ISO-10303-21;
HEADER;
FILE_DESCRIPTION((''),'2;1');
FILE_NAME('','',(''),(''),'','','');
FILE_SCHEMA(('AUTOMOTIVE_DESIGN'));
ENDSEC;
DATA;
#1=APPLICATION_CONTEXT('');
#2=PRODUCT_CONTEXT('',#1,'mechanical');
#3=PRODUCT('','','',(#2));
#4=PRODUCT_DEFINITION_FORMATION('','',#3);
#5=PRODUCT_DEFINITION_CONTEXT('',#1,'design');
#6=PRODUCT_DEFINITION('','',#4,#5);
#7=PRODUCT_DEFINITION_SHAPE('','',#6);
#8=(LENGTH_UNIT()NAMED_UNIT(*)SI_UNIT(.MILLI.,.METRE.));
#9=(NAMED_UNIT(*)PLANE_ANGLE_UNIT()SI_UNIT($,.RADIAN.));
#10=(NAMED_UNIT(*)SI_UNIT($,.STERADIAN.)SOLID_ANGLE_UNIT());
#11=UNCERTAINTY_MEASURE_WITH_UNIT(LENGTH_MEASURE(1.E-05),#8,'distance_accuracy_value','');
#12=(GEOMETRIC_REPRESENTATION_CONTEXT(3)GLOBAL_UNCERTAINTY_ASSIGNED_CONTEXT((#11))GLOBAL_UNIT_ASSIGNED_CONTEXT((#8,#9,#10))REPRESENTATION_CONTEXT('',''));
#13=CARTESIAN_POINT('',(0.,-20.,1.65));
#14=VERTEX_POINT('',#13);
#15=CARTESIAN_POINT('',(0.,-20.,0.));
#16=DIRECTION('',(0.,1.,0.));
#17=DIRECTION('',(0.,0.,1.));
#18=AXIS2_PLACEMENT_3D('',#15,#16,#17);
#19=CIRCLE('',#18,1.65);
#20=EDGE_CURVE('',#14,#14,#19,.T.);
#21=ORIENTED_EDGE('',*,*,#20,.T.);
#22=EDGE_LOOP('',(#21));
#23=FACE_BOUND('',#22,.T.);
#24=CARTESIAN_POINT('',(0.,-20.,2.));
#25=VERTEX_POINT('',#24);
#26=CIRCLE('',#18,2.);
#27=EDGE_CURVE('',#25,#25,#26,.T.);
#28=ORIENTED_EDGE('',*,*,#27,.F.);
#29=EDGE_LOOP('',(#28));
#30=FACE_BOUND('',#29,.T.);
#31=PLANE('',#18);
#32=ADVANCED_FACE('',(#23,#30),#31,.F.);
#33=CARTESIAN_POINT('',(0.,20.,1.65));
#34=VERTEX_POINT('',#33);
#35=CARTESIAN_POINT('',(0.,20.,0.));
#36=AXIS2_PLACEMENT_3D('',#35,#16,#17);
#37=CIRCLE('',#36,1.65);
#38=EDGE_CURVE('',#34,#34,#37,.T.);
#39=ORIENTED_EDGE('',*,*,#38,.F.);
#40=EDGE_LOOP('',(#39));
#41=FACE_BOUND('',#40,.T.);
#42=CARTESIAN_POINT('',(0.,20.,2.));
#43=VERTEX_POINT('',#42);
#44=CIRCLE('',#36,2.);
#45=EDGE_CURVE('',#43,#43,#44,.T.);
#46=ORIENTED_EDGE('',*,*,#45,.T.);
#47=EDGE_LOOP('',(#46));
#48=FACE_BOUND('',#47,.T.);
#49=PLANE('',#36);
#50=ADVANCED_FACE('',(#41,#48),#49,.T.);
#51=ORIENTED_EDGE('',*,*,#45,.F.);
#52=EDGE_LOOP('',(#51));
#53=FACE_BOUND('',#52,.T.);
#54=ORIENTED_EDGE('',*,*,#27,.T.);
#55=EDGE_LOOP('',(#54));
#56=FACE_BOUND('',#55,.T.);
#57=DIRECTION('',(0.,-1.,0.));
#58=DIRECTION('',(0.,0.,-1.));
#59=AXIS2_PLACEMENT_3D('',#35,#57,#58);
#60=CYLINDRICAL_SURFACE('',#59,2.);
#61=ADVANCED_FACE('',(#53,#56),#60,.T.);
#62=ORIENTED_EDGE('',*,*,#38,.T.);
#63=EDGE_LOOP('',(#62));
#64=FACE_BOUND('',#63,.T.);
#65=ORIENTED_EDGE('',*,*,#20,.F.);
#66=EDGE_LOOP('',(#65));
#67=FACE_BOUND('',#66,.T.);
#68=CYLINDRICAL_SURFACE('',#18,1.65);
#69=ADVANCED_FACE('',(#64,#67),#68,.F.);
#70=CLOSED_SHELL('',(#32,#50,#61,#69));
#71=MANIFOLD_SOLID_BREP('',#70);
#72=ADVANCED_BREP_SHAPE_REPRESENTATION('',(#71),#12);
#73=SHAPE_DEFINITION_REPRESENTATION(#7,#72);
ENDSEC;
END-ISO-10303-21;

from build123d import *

# Parameters (mm, degrees)
SKETCH2_R               = 2
BOSS_EXTRUDE1_DEPTH     = 20
CUT_EXTRUDE1_DEPTH      = 41.099875312
CUT_EXTRUDE1_DEPTH_BACK = 41.099875312
SKETCH3_R               = 1.65


with BuildPart() as part:
    # Sketch2 → Boss-Extrude1 (new, symmetric)
    with BuildSketch(Plane(origin=(0, 0, 0), x_dir=(1, 0, 0), z_dir=(0, 1, 0))):
        with Locations(Location((0, 0, 0), (0, 0, 270))):
            Circle(SKETCH2_R)
    extrude(amount=BOSS_EXTRUDE1_DEPTH, both=True)

    # Sketch3 → Cut-Extrude1 (cut, two sides: drawn at the far end of the back side and taken through both)
    with BuildSketch(Plane(origin=(0, 20, 0), x_dir=(1, 0, 0), z_dir=(0, 1, 0)).offset(-CUT_EXTRUDE1_DEPTH_BACK)):
        with Locations(Location((0, 0, 0), (0, 0, 270))):
            Circle(SKETCH3_R)
    extrude(amount=CUT_EXTRUDE1_DEPTH + CUT_EXTRUDE1_DEPTH_BACK, mode=Mode.SUBTRACT)


solid = part.part
